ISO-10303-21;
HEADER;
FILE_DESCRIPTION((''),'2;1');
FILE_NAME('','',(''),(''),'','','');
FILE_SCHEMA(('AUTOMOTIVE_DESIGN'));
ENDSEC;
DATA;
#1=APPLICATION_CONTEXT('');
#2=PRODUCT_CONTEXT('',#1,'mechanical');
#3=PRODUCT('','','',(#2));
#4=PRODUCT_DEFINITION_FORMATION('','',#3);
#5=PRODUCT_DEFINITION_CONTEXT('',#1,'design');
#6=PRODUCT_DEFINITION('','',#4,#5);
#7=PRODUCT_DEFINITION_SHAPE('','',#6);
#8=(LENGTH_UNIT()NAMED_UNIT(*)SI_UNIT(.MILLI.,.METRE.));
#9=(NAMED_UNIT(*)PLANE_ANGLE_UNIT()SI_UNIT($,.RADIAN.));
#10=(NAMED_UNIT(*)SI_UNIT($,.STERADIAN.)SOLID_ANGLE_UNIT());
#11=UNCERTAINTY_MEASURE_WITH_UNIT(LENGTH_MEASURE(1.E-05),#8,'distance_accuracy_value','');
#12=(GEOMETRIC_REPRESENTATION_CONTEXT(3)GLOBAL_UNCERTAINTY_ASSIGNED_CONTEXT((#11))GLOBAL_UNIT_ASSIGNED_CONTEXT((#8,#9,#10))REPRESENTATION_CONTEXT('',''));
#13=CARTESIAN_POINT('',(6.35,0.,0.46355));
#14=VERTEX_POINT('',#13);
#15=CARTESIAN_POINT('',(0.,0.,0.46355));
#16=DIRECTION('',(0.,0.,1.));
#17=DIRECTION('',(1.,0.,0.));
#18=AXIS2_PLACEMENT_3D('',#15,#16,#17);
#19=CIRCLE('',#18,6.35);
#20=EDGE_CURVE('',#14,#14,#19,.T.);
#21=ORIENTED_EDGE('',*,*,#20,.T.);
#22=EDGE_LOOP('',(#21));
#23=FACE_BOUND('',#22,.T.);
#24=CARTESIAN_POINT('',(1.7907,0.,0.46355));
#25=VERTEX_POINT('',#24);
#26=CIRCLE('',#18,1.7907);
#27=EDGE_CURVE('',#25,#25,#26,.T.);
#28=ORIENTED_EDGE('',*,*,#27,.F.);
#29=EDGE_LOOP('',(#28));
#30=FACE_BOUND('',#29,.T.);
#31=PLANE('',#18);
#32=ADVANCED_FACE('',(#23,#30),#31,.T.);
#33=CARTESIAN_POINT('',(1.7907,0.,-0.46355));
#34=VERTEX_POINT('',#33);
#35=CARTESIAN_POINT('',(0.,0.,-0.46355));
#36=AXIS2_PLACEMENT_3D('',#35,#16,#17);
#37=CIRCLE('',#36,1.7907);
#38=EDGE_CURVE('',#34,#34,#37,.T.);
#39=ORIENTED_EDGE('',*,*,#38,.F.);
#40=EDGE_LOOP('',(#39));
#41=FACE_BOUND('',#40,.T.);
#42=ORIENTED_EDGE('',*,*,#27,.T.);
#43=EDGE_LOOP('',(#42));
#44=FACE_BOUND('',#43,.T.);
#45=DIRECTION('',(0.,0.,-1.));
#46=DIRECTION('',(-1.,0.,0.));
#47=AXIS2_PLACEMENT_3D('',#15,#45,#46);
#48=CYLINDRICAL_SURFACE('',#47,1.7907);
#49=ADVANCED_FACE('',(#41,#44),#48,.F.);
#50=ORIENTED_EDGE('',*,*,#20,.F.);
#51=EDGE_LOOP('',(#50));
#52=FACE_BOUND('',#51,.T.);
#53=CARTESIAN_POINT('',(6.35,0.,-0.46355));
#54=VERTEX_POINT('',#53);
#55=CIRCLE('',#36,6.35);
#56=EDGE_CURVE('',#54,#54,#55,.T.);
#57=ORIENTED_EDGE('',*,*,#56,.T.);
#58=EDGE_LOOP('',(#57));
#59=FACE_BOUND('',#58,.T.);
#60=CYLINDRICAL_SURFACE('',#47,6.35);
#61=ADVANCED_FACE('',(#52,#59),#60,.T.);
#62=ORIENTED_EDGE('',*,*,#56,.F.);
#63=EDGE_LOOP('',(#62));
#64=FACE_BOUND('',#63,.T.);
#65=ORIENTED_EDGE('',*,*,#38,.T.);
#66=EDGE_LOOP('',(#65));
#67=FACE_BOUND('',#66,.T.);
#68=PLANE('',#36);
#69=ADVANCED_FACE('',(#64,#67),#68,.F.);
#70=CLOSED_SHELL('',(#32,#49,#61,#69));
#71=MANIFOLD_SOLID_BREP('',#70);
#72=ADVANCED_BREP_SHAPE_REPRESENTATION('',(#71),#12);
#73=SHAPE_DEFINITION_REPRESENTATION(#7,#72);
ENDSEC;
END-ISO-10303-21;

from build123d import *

# Parameters (mm, degrees)
BOSS_EXTRUDE1_DEPTH      = 0.46355
BOSS_EXTRUDE1_DEPTH_BACK = 0.46355
SKETCH3_R                = 6.35
SKETCH3_R_2              = 1.7907


with BuildPart() as part:
    # Sketch3 → Boss-Extrude1 (new, two sides: drawn at the far end of the back side and taken through both)
    with BuildSketch(Plane.XY.offset(-BOSS_EXTRUDE1_DEPTH_BACK)):
        Circle(SKETCH3_R)
        Circle(SKETCH3_R_2, mode=Mode.SUBTRACT)
    extrude(amount=BOSS_EXTRUDE1_DEPTH + BOSS_EXTRUDE1_DEPTH_BACK)


solid = part.part
